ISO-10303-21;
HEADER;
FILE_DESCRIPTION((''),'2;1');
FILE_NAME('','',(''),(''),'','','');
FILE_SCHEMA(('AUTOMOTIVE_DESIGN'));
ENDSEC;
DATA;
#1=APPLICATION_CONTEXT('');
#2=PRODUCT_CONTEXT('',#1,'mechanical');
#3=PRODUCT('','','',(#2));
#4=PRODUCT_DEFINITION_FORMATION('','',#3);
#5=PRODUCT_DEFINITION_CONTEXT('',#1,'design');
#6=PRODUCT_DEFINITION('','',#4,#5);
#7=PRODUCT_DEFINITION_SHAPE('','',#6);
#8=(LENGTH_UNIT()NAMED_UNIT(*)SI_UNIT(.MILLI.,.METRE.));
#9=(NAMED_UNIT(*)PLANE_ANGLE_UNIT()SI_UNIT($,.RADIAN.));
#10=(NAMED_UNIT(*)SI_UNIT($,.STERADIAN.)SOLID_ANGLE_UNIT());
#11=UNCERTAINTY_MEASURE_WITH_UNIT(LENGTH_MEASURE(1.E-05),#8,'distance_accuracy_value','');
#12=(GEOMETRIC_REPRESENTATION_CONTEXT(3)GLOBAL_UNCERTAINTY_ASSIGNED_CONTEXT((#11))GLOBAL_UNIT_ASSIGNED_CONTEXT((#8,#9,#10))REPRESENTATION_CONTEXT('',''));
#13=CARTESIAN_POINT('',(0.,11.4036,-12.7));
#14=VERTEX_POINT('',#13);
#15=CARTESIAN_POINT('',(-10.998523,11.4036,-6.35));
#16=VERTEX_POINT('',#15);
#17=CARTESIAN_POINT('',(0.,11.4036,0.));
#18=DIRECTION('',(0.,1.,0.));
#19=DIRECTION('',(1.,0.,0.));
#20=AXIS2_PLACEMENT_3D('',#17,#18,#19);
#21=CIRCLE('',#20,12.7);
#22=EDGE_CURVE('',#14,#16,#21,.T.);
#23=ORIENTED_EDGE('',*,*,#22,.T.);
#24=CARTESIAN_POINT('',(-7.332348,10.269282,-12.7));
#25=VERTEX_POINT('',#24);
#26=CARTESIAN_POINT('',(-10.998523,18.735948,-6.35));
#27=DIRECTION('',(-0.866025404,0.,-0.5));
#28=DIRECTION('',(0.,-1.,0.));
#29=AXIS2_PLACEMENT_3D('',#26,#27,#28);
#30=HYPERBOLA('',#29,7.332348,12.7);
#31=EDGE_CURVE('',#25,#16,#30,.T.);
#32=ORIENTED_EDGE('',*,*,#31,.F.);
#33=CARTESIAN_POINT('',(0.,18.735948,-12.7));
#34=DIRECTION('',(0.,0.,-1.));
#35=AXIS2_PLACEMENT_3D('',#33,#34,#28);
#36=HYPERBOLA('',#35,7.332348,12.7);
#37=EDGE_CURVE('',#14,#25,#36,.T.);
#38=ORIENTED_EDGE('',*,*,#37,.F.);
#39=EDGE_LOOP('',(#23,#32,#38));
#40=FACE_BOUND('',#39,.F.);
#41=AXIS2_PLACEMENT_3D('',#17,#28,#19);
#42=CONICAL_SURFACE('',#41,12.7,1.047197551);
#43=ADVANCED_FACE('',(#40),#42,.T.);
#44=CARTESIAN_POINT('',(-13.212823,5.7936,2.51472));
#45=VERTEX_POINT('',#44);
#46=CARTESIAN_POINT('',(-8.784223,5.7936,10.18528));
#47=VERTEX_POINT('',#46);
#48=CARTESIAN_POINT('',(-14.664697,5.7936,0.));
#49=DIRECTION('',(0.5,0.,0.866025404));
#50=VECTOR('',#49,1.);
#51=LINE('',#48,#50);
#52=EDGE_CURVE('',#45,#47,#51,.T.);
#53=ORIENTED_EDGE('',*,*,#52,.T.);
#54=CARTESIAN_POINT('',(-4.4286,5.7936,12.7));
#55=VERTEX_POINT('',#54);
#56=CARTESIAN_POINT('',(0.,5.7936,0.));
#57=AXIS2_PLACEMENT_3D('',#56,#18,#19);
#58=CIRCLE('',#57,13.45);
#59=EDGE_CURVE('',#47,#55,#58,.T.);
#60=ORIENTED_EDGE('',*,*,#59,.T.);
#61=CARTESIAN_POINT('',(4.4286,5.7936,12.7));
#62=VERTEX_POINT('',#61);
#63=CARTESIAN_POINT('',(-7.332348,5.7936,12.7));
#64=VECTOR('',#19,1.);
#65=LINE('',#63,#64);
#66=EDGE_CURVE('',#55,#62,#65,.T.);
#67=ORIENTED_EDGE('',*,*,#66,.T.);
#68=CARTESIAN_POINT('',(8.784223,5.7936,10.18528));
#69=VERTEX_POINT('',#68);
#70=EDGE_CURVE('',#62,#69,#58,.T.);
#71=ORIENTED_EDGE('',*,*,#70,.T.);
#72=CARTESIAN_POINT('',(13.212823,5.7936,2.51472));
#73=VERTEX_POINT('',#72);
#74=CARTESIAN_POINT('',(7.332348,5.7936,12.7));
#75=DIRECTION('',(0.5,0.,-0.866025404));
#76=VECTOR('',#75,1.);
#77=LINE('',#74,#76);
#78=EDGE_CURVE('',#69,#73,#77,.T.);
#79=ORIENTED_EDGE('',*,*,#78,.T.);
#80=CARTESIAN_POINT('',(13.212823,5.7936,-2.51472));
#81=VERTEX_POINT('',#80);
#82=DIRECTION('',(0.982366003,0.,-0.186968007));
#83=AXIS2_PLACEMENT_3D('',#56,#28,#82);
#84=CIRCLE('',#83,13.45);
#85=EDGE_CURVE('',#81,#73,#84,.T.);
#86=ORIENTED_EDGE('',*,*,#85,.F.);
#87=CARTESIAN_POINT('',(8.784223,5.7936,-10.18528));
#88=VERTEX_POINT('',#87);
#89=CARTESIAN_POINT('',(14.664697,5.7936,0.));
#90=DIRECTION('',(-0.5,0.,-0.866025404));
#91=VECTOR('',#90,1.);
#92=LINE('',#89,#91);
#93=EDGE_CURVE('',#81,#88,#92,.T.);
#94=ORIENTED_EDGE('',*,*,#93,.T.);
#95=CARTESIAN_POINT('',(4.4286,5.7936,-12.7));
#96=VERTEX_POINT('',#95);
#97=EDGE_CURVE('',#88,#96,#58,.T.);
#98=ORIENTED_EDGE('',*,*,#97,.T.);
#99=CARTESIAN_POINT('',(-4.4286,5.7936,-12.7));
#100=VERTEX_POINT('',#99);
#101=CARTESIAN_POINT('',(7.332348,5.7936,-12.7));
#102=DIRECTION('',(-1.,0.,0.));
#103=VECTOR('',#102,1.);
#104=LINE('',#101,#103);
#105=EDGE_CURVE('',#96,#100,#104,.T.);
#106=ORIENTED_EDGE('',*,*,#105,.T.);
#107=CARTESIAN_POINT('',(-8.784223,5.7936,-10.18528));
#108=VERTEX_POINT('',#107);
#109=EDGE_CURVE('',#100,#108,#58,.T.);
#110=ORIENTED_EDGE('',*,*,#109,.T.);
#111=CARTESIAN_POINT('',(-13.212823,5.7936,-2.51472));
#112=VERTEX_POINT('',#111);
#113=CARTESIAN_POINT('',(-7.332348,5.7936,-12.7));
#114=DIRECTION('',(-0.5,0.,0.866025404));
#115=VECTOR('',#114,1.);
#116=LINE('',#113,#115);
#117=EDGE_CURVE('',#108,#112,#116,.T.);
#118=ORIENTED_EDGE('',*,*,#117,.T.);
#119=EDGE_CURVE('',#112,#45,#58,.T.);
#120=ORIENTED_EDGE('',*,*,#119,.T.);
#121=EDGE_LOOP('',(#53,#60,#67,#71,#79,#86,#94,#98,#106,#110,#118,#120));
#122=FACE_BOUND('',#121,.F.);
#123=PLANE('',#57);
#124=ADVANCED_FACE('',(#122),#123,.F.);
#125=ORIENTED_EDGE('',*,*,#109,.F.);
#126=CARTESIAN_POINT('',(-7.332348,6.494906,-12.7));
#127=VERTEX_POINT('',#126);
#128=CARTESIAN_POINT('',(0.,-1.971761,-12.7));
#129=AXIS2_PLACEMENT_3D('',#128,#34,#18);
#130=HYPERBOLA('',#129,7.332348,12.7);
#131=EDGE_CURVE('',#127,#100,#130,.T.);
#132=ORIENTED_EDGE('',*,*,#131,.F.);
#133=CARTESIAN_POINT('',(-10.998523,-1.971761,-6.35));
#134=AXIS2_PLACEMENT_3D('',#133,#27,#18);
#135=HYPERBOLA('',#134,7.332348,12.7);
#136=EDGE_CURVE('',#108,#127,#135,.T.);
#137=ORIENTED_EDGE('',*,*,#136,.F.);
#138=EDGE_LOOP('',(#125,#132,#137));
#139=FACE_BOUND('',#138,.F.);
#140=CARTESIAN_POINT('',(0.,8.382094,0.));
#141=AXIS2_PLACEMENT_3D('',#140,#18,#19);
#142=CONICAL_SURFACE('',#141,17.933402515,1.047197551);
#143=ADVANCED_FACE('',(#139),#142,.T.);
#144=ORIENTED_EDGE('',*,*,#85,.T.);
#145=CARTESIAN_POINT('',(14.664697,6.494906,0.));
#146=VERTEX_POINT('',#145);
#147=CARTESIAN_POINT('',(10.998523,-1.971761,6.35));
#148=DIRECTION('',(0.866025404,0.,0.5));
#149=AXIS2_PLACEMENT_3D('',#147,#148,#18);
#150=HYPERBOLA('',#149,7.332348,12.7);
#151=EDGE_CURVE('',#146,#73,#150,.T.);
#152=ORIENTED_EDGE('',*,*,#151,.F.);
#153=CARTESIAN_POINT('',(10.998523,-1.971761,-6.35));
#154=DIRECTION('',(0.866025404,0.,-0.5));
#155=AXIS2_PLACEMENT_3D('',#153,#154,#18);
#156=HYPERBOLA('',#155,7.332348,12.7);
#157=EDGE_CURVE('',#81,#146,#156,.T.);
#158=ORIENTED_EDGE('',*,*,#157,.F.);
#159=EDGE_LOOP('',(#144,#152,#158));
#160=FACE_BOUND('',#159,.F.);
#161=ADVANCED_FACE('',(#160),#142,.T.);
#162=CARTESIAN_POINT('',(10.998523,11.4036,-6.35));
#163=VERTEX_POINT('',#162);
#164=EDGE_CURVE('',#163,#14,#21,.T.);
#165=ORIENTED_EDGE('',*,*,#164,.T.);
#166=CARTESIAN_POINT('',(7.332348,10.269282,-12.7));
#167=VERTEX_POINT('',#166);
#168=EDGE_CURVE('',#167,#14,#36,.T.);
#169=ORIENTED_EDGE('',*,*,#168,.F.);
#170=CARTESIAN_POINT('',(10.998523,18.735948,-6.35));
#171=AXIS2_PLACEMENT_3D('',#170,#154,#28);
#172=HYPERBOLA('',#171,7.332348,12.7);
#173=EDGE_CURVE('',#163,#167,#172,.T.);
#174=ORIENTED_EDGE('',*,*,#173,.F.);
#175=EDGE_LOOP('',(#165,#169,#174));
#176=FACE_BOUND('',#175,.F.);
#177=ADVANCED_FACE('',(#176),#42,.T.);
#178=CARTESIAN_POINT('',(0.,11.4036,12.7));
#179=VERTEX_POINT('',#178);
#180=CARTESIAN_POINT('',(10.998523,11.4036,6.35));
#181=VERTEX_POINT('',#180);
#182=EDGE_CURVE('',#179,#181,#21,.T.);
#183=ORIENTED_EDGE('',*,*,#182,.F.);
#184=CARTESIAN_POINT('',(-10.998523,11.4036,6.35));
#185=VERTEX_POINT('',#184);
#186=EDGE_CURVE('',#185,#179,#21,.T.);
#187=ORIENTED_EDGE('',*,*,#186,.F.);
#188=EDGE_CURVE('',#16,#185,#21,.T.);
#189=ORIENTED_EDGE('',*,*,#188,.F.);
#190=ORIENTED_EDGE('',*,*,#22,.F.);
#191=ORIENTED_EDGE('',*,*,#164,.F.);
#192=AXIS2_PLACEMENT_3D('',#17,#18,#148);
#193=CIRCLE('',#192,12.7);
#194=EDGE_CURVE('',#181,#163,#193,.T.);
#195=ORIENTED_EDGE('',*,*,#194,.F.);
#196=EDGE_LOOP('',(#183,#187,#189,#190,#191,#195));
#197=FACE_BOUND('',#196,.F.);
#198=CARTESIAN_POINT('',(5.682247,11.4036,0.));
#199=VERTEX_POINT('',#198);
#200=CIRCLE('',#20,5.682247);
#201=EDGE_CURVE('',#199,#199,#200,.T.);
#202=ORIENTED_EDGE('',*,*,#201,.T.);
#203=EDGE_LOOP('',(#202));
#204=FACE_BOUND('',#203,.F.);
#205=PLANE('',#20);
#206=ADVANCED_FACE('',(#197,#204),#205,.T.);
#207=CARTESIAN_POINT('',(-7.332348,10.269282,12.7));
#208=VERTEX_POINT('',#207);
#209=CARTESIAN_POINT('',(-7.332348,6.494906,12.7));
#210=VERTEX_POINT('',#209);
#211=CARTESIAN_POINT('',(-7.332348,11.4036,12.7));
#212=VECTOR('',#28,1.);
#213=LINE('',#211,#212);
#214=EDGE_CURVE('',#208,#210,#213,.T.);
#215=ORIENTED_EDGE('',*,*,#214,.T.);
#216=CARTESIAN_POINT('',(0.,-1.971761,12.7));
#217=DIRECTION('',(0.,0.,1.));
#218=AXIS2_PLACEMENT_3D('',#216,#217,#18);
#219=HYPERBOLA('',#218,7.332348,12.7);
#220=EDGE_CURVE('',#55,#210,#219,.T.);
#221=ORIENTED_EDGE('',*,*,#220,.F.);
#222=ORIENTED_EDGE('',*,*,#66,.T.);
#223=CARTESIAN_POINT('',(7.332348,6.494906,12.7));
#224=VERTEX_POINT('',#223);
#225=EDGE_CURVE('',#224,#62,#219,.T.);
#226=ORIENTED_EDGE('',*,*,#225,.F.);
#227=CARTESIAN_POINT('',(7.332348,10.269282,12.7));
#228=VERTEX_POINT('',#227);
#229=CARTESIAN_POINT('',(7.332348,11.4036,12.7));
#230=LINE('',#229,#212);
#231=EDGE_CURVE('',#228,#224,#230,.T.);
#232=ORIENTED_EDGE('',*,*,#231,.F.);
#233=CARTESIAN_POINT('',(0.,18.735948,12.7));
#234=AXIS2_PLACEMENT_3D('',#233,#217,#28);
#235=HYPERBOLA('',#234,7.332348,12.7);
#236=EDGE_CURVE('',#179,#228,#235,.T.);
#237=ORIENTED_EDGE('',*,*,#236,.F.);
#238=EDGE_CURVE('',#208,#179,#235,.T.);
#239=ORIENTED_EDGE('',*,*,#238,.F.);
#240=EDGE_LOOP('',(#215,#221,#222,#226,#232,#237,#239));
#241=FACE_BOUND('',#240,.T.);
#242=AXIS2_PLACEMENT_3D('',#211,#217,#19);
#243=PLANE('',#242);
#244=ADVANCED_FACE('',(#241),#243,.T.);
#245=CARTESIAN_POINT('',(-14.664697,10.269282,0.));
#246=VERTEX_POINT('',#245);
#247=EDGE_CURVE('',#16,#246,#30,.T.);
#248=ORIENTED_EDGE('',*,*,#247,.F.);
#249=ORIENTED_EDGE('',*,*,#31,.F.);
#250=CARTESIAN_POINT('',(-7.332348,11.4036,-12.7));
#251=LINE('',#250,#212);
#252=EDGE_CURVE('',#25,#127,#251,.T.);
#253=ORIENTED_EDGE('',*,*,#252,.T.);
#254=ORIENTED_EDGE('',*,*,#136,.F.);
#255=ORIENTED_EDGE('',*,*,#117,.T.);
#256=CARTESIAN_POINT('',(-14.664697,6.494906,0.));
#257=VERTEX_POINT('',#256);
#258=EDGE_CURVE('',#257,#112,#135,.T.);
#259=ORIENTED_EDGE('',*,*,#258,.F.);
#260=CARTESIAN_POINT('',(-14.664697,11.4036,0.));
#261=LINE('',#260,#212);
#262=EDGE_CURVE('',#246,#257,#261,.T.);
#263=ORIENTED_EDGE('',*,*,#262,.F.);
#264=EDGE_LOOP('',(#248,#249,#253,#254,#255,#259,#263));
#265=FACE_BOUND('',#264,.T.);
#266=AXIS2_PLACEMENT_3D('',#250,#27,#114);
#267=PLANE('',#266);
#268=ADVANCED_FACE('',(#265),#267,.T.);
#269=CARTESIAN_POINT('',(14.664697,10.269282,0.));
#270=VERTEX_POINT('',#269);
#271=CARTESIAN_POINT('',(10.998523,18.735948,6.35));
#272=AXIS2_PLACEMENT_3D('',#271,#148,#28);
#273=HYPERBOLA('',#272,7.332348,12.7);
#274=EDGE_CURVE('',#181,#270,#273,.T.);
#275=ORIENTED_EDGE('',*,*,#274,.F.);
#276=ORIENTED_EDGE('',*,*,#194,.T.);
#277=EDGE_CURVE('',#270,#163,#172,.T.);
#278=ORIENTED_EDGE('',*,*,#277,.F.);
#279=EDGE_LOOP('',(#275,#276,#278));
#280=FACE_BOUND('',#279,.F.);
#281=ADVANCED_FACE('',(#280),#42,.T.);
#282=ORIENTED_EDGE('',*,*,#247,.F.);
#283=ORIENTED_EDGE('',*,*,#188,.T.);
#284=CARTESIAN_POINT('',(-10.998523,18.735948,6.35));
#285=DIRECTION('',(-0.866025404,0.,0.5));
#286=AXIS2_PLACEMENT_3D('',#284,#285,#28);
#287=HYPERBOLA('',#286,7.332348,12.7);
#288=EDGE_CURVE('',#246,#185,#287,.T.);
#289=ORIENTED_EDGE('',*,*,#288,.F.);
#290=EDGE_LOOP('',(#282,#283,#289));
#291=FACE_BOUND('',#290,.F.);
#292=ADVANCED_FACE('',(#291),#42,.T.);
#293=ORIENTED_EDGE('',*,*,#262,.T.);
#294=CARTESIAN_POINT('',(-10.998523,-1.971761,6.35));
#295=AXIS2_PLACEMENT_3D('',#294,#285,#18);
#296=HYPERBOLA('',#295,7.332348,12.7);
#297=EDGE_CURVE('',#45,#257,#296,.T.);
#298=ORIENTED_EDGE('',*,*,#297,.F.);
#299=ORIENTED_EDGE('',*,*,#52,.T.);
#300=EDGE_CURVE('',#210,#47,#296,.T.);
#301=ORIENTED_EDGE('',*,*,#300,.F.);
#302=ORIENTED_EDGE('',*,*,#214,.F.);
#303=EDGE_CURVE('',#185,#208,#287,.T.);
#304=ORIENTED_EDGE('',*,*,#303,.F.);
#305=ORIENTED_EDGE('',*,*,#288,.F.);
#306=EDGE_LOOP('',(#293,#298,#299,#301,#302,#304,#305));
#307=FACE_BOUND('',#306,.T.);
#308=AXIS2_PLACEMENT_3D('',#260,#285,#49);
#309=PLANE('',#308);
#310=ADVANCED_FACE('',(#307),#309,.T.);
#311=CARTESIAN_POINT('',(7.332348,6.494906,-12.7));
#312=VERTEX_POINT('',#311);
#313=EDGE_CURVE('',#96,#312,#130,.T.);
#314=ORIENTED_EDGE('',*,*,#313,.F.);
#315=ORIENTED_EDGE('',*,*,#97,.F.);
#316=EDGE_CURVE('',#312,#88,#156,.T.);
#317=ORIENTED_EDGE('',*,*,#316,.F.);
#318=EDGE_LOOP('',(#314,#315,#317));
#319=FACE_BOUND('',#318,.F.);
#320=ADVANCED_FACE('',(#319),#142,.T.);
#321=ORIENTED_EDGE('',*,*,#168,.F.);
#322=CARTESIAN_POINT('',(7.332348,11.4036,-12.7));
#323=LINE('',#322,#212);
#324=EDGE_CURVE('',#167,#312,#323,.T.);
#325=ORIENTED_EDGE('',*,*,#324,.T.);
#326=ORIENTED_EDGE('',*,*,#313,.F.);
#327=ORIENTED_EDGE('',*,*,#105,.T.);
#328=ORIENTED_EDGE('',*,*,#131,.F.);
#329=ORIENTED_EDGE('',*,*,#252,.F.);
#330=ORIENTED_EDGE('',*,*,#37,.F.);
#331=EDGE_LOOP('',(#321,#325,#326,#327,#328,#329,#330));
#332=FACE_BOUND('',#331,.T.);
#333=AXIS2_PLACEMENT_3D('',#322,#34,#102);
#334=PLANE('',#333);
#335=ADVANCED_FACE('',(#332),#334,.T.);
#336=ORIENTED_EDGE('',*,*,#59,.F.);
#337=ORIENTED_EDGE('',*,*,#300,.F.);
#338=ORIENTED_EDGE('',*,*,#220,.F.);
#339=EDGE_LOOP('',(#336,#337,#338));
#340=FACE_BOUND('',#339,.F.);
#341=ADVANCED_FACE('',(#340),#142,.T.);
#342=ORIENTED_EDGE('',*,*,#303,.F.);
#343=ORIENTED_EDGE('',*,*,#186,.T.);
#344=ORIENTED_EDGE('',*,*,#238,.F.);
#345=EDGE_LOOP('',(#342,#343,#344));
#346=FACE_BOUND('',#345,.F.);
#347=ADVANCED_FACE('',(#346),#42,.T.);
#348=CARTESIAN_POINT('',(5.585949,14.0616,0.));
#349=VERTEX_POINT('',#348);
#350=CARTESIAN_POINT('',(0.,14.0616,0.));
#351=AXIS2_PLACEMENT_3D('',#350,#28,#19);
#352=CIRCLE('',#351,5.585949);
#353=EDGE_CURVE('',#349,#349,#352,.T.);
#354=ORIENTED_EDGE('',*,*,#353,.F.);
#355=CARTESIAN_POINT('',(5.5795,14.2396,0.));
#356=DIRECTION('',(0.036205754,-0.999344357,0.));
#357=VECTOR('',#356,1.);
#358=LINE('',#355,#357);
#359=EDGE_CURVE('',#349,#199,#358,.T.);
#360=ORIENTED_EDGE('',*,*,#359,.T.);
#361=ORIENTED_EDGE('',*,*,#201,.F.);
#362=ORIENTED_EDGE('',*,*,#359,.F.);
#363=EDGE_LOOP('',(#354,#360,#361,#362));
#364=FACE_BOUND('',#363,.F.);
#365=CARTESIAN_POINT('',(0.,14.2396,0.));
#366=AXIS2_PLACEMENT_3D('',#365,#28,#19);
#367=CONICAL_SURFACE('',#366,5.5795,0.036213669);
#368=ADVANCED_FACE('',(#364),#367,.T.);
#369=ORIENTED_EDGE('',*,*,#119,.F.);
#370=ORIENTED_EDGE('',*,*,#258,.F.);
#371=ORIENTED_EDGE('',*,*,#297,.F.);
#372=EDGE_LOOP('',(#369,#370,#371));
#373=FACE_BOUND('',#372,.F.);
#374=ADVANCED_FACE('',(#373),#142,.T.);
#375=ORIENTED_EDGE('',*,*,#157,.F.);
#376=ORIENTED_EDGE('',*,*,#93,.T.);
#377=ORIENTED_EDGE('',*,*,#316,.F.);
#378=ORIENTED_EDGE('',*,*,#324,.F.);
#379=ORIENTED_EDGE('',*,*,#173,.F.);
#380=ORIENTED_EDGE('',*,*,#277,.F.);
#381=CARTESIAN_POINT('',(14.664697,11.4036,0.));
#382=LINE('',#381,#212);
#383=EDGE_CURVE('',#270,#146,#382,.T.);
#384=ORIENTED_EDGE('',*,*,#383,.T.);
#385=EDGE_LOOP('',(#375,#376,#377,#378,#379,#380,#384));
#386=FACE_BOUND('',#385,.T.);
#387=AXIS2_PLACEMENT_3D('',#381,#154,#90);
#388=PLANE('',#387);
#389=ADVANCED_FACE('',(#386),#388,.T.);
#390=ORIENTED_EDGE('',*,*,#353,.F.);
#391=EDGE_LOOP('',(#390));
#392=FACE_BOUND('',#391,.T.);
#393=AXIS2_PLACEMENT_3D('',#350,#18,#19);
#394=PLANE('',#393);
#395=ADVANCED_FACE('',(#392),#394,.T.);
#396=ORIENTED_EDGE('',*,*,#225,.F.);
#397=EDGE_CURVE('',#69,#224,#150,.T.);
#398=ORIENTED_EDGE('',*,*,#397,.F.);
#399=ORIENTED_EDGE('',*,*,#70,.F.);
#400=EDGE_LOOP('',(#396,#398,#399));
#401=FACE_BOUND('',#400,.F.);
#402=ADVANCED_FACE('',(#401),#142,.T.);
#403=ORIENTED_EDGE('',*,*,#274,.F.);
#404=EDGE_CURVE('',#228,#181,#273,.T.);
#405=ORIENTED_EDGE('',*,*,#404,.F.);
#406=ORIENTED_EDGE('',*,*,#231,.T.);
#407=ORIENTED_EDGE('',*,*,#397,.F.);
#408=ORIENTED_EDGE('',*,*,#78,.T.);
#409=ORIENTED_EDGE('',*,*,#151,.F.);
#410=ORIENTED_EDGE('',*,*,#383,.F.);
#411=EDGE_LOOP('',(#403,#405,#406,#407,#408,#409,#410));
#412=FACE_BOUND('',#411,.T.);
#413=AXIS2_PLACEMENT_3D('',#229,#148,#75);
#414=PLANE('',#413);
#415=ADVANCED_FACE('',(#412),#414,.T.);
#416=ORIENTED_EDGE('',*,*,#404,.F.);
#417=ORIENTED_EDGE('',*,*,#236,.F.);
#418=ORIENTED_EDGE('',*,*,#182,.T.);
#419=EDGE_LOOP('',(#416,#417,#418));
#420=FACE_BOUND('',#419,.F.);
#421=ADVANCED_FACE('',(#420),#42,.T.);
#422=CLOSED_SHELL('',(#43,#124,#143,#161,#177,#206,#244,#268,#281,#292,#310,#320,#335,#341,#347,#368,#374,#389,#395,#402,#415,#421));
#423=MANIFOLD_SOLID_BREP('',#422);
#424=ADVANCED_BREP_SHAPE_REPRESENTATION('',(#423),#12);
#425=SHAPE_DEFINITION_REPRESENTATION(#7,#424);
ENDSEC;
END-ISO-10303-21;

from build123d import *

# Parameters (mm, degrees)
SKETCH2_W          = 47.16496854
SKETCH2_H          = 39.085316542
CUT_EXTRUDE1_DEPTH = 5.61
SKETCH3_W          = 40
SKETCH3_H          = 40
CUT_EXTRUDE2_DEPTH = 50


with BuildPart() as part:
    # Sketch1 → Revolve1 (revolve)
    with BuildSketch(Plane.XY):
        Polygon((0, 34.0386), (5.5795, 34.0386), (5.5795, 14.2396), (5.682246885, 11.4036), (12.7, 11.4036), (17.933402515, 8.382093649), (13.45, 5.7936), (0, 5.7936), align=None)
    revolve(axis=Axis((0, 5.7936, 0), (0, 1, 0)))

    # Sketch2 → Cut-Extrude1 (cut)
    with BuildSketch(Plane(origin=(0, 11.4036, 0), x_dir=(1, 0, 0), z_dir=(0, 1, 0))):
        with Locations((0.151493475, -0.8079652)):
            Rectangle(SKETCH2_W, SKETCH2_H)
        Polygon((14.664696837, 0), (7.332348419, 12.7), (-7.332348419, 12.7), (-14.664696837, 0), (-7.332348419, -12.7), (7.332348419, -12.7), align=None, mode=Mode.SUBTRACT)
    extrude(amount=-CUT_EXTRUDE1_DEPTH, mode=Mode.SUBTRACT)

    # Sketch3 → Cut-Extrude2 (cut)
    with BuildSketch(Plane(origin=(0, 14.0616, 0), x_dir=(1, 0, 0), z_dir=(0, 1, 0))):
        Rectangle(SKETCH3_W, SKETCH3_H)
    extrude(amount=CUT_EXTRUDE2_DEPTH, mode=Mode.SUBTRACT)


solid = part.part
